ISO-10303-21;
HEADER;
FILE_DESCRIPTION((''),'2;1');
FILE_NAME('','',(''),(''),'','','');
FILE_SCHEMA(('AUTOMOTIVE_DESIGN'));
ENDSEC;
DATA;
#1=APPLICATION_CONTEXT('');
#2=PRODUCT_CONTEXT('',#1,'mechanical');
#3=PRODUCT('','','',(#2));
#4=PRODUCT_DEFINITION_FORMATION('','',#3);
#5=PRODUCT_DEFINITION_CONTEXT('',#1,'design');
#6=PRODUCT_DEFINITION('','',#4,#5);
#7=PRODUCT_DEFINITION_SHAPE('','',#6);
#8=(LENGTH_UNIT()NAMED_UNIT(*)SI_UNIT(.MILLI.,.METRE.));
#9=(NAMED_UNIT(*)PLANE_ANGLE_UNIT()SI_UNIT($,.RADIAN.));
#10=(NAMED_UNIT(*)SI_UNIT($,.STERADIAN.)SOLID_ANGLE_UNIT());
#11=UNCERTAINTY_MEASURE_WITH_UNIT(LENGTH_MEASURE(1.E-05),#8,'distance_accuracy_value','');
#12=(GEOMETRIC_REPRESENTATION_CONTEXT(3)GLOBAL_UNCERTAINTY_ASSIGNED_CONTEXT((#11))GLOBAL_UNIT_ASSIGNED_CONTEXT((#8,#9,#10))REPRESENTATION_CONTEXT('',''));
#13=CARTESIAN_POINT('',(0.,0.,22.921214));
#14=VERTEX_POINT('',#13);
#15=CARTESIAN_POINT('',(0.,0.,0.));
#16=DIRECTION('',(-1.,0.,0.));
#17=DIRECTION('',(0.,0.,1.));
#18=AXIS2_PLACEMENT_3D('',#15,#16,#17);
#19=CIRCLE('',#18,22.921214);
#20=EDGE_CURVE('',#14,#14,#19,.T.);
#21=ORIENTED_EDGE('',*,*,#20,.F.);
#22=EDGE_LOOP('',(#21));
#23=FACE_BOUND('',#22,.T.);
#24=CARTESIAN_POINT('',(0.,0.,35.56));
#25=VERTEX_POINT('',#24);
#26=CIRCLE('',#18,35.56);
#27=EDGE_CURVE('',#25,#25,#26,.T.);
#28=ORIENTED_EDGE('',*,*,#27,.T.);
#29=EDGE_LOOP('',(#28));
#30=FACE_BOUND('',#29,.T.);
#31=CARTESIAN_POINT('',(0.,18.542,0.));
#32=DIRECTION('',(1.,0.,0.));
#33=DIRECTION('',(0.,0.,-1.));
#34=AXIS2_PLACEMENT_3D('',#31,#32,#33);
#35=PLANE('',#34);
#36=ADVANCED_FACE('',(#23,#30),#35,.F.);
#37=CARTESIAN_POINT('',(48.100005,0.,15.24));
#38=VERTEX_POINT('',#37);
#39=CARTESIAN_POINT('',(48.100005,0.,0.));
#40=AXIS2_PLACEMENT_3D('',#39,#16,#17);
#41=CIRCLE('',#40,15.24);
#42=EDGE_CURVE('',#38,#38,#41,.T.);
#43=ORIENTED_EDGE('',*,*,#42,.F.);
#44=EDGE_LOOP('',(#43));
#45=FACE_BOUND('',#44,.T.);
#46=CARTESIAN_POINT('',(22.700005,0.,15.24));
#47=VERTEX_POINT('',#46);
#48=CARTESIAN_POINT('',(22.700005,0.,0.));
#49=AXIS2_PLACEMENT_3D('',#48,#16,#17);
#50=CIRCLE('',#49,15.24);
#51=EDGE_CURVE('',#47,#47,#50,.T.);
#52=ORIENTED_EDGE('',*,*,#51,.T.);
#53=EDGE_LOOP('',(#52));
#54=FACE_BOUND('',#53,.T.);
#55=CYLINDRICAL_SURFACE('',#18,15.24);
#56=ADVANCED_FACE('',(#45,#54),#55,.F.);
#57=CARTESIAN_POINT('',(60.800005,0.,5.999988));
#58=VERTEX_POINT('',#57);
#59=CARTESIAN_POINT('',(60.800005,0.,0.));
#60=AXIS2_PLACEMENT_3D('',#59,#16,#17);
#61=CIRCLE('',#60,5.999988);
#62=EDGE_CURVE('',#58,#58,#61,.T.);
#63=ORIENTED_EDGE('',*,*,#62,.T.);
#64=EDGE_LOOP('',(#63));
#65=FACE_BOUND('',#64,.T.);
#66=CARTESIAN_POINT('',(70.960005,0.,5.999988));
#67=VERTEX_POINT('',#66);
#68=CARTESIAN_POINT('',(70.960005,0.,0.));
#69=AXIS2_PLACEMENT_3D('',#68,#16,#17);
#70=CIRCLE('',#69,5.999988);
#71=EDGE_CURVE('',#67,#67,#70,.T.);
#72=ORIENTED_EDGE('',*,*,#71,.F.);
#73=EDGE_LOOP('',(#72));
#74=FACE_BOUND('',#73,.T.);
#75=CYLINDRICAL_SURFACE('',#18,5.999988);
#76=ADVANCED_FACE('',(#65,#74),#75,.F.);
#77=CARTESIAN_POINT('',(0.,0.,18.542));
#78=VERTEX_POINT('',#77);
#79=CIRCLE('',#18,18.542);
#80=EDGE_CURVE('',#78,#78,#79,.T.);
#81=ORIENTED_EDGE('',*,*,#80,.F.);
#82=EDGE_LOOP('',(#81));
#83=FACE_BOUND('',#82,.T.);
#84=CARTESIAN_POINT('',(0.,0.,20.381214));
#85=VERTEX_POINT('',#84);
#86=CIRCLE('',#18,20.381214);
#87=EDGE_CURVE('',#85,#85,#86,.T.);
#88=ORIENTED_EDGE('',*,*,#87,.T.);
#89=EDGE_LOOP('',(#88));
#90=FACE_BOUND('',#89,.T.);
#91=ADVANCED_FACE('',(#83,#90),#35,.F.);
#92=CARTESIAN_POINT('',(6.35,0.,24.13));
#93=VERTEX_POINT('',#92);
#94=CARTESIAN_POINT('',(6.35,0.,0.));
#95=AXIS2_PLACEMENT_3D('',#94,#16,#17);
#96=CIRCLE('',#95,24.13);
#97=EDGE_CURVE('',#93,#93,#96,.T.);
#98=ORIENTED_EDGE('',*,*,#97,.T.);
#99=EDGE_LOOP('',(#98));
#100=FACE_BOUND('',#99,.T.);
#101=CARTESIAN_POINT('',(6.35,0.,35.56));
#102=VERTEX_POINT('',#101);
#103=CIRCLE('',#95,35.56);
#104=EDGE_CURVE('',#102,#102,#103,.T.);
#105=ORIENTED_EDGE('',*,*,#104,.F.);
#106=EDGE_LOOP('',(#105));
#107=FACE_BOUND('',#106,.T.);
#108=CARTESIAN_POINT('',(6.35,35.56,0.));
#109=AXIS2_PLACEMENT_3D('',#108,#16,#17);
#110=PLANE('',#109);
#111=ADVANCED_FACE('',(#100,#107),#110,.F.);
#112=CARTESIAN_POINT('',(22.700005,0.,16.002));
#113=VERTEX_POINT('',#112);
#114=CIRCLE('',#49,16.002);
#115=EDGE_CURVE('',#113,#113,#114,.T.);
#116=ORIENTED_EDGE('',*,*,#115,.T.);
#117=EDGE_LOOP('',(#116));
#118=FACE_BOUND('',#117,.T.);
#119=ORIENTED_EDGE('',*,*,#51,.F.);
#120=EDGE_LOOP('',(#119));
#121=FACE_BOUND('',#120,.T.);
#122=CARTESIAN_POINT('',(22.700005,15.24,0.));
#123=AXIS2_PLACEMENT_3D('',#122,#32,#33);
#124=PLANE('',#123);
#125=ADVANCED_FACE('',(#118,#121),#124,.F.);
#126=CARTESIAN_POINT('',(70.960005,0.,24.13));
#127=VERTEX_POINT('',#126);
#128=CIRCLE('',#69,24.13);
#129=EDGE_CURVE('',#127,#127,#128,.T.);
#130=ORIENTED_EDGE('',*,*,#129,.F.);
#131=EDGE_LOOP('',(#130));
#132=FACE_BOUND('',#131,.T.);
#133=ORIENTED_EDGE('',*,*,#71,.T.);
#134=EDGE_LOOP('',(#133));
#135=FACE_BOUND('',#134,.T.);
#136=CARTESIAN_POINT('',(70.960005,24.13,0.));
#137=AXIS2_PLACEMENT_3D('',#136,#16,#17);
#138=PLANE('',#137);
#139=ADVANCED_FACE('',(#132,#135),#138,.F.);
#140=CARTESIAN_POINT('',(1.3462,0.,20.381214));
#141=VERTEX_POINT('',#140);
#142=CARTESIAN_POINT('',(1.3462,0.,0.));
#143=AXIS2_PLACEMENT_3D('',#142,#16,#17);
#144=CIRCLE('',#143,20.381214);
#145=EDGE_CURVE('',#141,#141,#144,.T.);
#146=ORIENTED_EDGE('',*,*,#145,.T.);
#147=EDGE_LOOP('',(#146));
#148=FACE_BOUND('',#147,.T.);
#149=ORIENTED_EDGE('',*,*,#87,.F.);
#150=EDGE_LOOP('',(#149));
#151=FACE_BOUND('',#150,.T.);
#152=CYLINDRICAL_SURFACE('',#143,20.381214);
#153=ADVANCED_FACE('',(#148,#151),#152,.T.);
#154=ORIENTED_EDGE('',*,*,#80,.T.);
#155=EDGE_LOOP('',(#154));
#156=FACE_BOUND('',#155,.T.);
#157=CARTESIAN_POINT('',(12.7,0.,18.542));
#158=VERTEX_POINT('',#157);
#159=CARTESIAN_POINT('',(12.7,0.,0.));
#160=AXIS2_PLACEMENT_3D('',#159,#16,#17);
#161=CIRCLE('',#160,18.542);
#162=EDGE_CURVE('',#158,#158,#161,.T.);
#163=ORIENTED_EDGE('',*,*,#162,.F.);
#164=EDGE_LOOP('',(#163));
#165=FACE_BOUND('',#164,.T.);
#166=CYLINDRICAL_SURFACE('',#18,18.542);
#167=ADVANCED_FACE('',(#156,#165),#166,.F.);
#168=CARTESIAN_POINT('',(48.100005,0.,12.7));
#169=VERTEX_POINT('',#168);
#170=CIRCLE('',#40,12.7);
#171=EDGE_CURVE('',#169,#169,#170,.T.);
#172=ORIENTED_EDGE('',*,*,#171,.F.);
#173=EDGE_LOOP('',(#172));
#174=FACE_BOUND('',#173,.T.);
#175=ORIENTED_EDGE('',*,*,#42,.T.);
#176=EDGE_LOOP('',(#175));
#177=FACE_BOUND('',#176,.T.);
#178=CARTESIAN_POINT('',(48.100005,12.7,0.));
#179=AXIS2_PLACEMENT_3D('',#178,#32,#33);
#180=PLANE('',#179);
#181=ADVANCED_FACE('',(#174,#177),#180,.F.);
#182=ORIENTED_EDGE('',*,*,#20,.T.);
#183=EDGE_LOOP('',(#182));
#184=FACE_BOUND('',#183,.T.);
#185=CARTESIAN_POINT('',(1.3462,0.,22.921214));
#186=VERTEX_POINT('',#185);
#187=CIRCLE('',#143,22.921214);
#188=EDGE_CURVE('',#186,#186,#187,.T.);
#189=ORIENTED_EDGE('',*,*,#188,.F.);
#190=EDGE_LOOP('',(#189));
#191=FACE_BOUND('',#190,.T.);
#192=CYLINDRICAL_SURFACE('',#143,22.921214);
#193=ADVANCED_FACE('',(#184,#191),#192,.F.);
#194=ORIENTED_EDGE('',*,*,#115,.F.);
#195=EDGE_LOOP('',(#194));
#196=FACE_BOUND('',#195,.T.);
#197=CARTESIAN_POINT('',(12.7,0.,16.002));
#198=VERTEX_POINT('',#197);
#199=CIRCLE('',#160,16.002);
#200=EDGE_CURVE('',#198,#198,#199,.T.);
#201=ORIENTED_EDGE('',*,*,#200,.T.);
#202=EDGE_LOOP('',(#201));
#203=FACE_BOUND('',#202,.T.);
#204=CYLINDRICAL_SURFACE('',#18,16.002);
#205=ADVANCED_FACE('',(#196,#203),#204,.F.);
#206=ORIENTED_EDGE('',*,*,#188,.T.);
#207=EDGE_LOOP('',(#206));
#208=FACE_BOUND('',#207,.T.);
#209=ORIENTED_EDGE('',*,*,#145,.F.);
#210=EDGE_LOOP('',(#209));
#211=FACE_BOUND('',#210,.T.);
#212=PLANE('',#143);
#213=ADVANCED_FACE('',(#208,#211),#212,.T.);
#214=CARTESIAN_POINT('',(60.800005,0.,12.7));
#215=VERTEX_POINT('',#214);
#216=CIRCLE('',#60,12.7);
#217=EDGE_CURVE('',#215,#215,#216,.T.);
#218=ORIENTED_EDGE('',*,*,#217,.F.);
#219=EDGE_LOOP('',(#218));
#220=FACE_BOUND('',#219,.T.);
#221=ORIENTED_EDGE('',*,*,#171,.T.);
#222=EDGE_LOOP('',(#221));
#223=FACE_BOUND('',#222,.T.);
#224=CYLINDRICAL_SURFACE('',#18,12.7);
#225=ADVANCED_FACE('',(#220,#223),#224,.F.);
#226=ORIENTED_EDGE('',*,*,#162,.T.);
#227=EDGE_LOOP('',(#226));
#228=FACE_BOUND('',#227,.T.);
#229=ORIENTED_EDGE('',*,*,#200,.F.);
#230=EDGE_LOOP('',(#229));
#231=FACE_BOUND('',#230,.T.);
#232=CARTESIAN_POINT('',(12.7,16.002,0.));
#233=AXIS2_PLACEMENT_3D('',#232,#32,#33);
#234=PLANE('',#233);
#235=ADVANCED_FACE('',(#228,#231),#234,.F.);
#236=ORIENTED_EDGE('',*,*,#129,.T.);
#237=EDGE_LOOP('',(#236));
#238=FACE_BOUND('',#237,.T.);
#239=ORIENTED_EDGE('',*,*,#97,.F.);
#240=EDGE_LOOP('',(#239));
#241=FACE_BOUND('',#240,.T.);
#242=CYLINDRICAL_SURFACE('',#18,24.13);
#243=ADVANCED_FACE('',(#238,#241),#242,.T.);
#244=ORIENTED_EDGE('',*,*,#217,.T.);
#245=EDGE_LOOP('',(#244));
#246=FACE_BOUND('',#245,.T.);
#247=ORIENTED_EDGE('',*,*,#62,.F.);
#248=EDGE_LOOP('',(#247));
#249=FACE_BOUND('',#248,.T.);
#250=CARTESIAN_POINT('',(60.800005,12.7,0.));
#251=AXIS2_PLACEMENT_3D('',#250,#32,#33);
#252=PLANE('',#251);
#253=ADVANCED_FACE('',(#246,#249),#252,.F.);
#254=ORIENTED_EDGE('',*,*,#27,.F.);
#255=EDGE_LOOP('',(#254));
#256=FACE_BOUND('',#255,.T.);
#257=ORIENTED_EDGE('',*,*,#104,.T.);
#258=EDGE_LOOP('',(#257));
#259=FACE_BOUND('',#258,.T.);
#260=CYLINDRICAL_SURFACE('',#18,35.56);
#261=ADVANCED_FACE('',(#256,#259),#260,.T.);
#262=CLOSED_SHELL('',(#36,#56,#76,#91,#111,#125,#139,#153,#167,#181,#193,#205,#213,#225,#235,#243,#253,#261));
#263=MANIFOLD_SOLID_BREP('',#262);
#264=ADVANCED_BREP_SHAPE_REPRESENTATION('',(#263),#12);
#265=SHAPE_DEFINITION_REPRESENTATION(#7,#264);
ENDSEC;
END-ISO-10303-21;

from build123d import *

# Parameters (mm, degrees)
SKETCH6_R          = 22.921214
SKETCH6_R_2        = 20.381214
CUT_EXTRUDE2_DEPTH = 1.3462


with BuildPart() as part:
    # Sketch1 → Revolve1 (revolve)
    with BuildSketch(Plane.XY):
        Polygon((0, 35.56), (6.35, 35.56), (6.35, 24.13), (70.9600054, 24.13), (70.9600054, 5.999988), (60.8000054, 5.999988), (60.8000054, 12.7), (48.1000054, 12.7), (48.1000054, 15.24), (22.7000054, 15.24), (22.7000054, 16.002), (12.7, 16.002), (12.7, 18.542), (0, 18.542), align=None)
    revolve(axis=Axis((0, 0, 0), (1, 0, 0)))

    # Sketch6 → Cut-Extrude2 (cut)
    with BuildSketch(Plane.ZY):
        Circle(SKETCH6_R)
        Circle(SKETCH6_R_2, mode=Mode.SUBTRACT)
    extrude(amount=-CUT_EXTRUDE2_DEPTH, mode=Mode.SUBTRACT)


solid = part.part
